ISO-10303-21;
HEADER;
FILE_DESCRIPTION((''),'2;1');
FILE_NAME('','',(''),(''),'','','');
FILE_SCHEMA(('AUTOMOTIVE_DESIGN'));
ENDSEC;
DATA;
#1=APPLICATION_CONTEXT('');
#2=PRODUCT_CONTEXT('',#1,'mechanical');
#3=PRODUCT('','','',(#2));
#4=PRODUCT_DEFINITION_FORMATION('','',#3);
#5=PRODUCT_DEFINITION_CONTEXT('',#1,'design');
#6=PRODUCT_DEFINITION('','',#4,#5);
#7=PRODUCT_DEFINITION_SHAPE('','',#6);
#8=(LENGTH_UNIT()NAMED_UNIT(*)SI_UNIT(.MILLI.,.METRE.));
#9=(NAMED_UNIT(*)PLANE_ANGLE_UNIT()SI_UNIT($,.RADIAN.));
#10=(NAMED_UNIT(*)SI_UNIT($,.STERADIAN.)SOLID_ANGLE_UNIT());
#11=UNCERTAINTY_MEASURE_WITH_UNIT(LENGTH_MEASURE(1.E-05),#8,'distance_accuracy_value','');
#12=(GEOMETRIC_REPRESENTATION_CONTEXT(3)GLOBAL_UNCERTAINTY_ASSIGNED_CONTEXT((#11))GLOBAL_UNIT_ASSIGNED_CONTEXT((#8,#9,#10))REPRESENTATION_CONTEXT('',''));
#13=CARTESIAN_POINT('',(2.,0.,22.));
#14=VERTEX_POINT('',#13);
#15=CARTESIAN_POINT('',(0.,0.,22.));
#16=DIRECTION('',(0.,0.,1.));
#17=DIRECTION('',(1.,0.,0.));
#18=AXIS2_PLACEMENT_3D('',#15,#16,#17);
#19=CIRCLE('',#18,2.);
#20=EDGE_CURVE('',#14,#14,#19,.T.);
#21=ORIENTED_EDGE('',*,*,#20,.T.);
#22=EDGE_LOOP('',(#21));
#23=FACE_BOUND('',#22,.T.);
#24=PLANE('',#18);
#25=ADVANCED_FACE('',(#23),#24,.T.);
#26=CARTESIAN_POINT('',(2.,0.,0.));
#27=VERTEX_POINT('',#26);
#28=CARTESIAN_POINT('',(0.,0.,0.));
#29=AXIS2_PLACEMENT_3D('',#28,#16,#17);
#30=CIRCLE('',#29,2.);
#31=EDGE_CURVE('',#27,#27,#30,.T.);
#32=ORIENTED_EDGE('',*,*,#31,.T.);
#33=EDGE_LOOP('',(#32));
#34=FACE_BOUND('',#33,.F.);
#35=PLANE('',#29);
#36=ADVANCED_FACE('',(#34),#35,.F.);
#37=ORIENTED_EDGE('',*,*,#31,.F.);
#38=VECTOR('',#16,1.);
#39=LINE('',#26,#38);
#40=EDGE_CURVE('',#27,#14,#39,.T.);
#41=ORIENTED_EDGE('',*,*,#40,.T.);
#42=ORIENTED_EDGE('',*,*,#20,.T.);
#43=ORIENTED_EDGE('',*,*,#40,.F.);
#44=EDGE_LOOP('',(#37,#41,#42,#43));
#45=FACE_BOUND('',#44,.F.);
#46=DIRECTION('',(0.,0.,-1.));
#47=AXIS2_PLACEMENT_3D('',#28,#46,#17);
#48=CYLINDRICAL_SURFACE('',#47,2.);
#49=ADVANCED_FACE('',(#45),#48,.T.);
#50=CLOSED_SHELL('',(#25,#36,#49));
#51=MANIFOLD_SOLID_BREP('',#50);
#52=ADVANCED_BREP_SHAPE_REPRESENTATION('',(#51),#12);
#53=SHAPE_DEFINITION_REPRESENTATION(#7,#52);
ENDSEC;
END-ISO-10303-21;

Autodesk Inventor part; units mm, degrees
ref_plane "YZ Plane" through (0, 0, 0) normal (1, 0, 0) x (0, 1, 0)
ref_plane "XZ Plane" through (0, 0, 0) normal (0, 1, 0) x (-1, 0, 0)
ref_plane "XY Plane" through (0, 0, 0) normal (0, 0, 1) x (1, 0, 0)
sketch "スケッチ1" plane through (0, 0, 0) normal (0, 0, 1) x (1, 0, 0)
  circle A0 centre (0, 0) radius 2
  dimension "d0" = 4
extrude "押し出し1" add sketch "スケッチ1" along normal blind 22
properties part number "平行ピン　φ4　長さ22" material "ステンレス鋼"
